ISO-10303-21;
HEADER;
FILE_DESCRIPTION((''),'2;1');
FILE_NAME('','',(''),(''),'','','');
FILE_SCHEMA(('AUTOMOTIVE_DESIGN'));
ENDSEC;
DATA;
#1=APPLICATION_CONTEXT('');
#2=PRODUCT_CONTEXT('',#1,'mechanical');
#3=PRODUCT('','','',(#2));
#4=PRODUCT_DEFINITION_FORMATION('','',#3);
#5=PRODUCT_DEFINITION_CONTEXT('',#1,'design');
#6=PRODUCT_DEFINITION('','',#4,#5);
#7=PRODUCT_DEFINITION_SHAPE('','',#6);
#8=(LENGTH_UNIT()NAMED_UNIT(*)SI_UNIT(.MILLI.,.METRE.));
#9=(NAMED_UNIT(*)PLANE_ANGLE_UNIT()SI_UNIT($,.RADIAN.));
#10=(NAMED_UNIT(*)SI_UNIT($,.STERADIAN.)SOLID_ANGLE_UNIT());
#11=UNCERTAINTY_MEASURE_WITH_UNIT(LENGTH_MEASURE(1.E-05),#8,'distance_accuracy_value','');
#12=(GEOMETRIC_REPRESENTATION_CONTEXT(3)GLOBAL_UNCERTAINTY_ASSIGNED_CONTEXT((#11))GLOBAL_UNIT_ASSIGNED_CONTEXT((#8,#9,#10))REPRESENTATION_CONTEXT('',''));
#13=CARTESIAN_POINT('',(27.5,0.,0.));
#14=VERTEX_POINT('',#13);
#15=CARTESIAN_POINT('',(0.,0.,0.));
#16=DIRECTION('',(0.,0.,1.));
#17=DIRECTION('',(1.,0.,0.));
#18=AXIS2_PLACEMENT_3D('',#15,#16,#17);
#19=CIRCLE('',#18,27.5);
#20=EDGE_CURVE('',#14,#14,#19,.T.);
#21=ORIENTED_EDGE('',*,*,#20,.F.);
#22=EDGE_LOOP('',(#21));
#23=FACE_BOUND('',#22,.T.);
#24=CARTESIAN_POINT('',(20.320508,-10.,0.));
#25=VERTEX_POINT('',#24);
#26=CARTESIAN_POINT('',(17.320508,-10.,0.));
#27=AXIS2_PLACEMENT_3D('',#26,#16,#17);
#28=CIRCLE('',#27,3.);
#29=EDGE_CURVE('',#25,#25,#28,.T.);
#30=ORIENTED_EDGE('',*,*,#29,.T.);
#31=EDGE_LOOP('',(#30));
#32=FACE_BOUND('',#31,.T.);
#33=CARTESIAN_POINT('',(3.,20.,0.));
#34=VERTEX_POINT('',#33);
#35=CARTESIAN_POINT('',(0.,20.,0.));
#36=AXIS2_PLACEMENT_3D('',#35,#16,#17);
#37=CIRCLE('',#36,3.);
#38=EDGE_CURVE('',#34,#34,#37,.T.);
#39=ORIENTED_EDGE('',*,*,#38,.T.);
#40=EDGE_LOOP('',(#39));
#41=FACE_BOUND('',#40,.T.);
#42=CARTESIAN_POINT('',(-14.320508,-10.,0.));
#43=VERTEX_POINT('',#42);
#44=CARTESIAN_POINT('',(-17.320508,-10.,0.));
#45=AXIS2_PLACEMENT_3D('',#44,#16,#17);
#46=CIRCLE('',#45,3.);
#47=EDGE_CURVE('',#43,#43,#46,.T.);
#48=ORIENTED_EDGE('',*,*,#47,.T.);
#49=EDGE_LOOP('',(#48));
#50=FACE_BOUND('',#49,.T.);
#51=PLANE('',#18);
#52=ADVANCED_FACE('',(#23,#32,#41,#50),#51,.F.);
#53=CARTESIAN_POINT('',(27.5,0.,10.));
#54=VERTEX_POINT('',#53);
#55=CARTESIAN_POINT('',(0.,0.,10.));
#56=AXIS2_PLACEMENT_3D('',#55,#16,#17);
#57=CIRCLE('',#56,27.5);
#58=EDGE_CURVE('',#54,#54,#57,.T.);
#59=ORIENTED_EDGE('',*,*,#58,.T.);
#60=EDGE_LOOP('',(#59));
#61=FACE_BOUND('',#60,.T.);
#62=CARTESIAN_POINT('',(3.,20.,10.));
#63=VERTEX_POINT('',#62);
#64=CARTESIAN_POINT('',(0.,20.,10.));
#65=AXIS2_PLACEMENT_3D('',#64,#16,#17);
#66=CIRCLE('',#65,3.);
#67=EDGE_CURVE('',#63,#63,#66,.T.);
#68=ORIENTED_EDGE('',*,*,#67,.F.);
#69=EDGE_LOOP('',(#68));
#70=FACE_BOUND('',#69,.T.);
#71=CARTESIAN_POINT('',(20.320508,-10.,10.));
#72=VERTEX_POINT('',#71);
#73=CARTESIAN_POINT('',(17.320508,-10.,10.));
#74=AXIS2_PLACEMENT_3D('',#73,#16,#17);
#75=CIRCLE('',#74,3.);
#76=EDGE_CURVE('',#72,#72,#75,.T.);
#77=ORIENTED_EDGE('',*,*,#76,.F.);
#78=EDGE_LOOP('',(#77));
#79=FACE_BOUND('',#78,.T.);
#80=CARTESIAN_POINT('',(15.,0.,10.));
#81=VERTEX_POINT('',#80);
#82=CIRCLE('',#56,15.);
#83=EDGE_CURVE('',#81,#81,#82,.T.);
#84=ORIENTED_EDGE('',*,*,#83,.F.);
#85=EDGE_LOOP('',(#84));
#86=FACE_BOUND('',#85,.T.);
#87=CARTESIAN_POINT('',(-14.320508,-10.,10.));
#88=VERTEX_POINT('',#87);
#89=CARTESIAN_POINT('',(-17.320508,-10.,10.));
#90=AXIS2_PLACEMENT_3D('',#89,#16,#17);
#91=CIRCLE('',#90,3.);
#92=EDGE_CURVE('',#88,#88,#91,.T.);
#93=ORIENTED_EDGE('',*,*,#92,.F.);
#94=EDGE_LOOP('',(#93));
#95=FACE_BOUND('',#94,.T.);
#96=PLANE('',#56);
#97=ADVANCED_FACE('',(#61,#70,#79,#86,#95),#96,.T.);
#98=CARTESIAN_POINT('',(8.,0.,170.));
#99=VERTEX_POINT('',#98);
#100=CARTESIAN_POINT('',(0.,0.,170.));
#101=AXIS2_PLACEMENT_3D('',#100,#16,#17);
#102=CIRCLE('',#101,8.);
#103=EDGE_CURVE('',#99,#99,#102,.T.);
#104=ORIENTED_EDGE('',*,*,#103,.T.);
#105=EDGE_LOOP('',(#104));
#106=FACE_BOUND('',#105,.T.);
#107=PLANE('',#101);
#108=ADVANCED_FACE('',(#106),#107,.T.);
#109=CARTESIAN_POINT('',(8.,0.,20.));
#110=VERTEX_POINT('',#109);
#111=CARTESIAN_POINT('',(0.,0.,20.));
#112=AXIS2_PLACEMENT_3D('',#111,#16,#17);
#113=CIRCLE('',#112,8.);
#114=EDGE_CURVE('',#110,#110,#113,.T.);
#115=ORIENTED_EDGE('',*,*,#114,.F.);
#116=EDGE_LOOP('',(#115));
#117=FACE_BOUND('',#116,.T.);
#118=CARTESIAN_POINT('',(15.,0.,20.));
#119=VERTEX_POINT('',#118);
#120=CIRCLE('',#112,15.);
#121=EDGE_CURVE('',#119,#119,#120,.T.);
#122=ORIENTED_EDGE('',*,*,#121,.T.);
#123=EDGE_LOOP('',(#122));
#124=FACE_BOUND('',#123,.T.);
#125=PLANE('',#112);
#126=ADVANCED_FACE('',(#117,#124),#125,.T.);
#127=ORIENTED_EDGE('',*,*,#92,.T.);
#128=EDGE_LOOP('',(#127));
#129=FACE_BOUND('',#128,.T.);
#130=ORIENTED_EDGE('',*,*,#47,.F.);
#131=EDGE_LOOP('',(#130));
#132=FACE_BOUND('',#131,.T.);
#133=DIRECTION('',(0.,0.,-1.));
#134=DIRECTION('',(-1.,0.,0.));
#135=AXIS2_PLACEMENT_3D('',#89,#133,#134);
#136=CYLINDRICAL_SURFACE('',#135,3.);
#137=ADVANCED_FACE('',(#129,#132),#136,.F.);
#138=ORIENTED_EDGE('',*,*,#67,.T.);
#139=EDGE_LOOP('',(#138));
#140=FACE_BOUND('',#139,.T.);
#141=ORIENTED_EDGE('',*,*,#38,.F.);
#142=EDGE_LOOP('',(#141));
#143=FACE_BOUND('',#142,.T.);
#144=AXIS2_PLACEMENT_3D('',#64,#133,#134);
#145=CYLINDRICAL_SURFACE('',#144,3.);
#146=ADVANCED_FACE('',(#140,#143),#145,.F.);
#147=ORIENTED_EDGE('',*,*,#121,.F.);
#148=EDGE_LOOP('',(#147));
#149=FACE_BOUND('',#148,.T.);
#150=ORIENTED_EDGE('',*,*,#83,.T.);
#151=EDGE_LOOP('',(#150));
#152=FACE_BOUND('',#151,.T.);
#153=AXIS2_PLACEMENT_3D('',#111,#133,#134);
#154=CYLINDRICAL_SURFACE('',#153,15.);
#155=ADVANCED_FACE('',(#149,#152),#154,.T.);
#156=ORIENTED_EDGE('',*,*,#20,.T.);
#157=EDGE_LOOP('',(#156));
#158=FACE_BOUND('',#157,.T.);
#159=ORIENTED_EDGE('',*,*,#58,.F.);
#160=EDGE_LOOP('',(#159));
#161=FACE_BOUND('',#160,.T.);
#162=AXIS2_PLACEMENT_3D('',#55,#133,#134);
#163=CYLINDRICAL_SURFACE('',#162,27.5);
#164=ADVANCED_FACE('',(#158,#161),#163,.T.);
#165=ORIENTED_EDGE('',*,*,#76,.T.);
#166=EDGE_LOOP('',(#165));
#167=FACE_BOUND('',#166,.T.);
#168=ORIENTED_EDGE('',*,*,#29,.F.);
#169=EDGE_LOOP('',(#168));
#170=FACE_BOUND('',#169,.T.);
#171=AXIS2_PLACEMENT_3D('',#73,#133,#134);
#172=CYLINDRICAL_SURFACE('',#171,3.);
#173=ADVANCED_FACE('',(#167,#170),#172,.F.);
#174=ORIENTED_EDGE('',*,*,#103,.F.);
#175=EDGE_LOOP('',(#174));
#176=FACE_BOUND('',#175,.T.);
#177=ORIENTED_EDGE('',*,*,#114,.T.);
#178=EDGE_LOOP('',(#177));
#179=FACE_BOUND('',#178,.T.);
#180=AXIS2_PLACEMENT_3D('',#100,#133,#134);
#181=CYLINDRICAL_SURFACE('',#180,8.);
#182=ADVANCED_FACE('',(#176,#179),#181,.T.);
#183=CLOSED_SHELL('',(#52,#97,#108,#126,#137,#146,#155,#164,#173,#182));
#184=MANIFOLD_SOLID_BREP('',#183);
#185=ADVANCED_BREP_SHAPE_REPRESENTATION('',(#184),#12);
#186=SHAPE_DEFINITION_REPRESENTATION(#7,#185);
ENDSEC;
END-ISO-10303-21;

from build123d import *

# Parameters (mm, degrees)
SKETCH1_R           = 27.5
SKETCH1_R_2         = 3
BOSS_EXTRUDE1_DEPTH = 10
SKETCH2_R           = 15
BOSS_EXTRUDE2_DEPTH = 10
SKETCH3_R           = 8
BOSS_EXTRUDE3_DEPTH = 150


with BuildPart() as part:
    # Sketch1 → Boss-Extrude1 (new body)
    with BuildSketch(Plane.XY):
        Circle(SKETCH1_R)
        with Locations((0, 20)):
            Circle(SKETCH1_R_2, mode=Mode.SUBTRACT)
        with Locations((17.320508076, -10)):
            Circle(SKETCH1_R_2, mode=Mode.SUBTRACT)
        with Locations((-17.320508076, -10)):
            Circle(SKETCH1_R_2, mode=Mode.SUBTRACT)
    extrude(amount=BOSS_EXTRUDE1_DEPTH)

    # Sketch2 → Boss-Extrude2 (add)
    with BuildSketch(Plane.XY.offset(10)):
        Circle(SKETCH2_R)
    extrude(amount=BOSS_EXTRUDE2_DEPTH)

    # Sketch3 → Boss-Extrude3 (add)
    with BuildSketch(Plane.XY.offset(20)):
        Circle(SKETCH3_R)
    extrude(amount=BOSS_EXTRUDE3_DEPTH)


solid = part.part
